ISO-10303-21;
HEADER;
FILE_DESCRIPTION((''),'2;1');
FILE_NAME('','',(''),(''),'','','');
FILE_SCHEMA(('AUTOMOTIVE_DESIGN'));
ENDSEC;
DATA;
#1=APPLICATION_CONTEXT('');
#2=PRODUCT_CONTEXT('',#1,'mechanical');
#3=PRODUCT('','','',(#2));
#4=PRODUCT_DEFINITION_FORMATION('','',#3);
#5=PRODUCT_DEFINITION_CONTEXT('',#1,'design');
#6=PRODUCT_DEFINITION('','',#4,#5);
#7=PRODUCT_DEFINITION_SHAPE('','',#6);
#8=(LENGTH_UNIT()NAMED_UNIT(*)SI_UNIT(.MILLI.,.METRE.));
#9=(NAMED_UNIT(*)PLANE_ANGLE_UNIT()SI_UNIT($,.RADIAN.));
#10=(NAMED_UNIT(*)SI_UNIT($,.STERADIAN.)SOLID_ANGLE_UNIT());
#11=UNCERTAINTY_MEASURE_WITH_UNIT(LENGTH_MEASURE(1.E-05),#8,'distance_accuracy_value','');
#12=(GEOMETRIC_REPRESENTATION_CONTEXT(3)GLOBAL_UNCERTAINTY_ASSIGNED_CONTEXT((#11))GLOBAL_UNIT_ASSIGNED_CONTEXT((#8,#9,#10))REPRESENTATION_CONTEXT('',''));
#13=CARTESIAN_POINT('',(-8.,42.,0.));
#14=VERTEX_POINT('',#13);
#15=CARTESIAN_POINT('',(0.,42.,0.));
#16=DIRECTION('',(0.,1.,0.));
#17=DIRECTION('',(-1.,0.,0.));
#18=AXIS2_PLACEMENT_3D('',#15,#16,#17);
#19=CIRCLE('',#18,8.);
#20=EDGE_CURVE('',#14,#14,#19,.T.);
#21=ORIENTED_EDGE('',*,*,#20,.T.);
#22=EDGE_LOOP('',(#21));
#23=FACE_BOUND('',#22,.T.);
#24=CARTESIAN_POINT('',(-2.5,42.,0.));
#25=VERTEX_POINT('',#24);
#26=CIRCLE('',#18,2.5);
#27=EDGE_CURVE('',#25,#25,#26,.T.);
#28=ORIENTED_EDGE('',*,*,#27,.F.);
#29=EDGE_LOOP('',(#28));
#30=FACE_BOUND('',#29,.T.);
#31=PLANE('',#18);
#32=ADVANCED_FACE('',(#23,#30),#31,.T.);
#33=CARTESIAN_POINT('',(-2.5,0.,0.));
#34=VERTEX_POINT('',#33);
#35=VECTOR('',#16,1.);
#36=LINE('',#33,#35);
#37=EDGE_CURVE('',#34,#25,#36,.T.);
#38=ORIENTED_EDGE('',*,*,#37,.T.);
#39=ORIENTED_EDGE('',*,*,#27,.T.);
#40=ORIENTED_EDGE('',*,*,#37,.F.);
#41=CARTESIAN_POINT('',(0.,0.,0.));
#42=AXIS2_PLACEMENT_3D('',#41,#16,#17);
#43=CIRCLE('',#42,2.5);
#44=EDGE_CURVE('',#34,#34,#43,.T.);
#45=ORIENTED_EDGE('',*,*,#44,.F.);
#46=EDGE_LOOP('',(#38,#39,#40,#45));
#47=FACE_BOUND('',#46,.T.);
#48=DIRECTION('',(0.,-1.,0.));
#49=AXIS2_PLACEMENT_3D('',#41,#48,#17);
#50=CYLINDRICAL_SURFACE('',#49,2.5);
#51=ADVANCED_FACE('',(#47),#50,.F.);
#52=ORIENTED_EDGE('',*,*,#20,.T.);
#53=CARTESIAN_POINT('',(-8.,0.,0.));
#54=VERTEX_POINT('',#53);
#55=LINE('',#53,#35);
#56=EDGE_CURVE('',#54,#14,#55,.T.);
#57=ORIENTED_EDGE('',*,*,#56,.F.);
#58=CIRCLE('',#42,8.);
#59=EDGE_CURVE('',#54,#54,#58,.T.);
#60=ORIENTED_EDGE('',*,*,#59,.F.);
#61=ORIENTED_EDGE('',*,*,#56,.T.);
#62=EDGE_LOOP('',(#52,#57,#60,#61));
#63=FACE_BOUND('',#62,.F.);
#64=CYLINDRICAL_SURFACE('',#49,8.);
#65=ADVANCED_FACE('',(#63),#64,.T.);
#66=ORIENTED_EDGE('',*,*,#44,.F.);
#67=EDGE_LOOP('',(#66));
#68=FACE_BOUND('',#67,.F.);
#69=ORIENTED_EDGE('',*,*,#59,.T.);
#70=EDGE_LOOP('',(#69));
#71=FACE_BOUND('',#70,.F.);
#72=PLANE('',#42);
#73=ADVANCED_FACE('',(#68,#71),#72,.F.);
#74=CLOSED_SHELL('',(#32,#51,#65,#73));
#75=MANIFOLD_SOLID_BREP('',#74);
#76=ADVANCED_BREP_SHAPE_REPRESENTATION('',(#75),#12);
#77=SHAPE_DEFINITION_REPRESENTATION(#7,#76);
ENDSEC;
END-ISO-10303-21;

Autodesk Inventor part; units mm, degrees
ref_plane "YZ Plane" through (0, 0, 0) normal (1, 0, 0) x (0, 1, 0)
ref_plane "XZ Plane" through (0, 0, 0) normal (0, 1, 0) x (-1, 0, 0)
ref_plane "XY Plane" through (0, 0, 0) normal (0, 0, 1) x (1, 0, 0)
sketch "Sketch1" plane through (0, 0, 0) normal (0, 1, 0) x (-1, 0, 0)
  circle A0 centre (0, 0) radius 2.5
  circle A1 centre (0, 0) radius 8
  dimension "d0" = 5
  dimension "d1" = 16
extrude "Extrusion1" add sketch "Sketch1" along normal blind 42
properties part number "HUB" material "Steel, Alloy"
